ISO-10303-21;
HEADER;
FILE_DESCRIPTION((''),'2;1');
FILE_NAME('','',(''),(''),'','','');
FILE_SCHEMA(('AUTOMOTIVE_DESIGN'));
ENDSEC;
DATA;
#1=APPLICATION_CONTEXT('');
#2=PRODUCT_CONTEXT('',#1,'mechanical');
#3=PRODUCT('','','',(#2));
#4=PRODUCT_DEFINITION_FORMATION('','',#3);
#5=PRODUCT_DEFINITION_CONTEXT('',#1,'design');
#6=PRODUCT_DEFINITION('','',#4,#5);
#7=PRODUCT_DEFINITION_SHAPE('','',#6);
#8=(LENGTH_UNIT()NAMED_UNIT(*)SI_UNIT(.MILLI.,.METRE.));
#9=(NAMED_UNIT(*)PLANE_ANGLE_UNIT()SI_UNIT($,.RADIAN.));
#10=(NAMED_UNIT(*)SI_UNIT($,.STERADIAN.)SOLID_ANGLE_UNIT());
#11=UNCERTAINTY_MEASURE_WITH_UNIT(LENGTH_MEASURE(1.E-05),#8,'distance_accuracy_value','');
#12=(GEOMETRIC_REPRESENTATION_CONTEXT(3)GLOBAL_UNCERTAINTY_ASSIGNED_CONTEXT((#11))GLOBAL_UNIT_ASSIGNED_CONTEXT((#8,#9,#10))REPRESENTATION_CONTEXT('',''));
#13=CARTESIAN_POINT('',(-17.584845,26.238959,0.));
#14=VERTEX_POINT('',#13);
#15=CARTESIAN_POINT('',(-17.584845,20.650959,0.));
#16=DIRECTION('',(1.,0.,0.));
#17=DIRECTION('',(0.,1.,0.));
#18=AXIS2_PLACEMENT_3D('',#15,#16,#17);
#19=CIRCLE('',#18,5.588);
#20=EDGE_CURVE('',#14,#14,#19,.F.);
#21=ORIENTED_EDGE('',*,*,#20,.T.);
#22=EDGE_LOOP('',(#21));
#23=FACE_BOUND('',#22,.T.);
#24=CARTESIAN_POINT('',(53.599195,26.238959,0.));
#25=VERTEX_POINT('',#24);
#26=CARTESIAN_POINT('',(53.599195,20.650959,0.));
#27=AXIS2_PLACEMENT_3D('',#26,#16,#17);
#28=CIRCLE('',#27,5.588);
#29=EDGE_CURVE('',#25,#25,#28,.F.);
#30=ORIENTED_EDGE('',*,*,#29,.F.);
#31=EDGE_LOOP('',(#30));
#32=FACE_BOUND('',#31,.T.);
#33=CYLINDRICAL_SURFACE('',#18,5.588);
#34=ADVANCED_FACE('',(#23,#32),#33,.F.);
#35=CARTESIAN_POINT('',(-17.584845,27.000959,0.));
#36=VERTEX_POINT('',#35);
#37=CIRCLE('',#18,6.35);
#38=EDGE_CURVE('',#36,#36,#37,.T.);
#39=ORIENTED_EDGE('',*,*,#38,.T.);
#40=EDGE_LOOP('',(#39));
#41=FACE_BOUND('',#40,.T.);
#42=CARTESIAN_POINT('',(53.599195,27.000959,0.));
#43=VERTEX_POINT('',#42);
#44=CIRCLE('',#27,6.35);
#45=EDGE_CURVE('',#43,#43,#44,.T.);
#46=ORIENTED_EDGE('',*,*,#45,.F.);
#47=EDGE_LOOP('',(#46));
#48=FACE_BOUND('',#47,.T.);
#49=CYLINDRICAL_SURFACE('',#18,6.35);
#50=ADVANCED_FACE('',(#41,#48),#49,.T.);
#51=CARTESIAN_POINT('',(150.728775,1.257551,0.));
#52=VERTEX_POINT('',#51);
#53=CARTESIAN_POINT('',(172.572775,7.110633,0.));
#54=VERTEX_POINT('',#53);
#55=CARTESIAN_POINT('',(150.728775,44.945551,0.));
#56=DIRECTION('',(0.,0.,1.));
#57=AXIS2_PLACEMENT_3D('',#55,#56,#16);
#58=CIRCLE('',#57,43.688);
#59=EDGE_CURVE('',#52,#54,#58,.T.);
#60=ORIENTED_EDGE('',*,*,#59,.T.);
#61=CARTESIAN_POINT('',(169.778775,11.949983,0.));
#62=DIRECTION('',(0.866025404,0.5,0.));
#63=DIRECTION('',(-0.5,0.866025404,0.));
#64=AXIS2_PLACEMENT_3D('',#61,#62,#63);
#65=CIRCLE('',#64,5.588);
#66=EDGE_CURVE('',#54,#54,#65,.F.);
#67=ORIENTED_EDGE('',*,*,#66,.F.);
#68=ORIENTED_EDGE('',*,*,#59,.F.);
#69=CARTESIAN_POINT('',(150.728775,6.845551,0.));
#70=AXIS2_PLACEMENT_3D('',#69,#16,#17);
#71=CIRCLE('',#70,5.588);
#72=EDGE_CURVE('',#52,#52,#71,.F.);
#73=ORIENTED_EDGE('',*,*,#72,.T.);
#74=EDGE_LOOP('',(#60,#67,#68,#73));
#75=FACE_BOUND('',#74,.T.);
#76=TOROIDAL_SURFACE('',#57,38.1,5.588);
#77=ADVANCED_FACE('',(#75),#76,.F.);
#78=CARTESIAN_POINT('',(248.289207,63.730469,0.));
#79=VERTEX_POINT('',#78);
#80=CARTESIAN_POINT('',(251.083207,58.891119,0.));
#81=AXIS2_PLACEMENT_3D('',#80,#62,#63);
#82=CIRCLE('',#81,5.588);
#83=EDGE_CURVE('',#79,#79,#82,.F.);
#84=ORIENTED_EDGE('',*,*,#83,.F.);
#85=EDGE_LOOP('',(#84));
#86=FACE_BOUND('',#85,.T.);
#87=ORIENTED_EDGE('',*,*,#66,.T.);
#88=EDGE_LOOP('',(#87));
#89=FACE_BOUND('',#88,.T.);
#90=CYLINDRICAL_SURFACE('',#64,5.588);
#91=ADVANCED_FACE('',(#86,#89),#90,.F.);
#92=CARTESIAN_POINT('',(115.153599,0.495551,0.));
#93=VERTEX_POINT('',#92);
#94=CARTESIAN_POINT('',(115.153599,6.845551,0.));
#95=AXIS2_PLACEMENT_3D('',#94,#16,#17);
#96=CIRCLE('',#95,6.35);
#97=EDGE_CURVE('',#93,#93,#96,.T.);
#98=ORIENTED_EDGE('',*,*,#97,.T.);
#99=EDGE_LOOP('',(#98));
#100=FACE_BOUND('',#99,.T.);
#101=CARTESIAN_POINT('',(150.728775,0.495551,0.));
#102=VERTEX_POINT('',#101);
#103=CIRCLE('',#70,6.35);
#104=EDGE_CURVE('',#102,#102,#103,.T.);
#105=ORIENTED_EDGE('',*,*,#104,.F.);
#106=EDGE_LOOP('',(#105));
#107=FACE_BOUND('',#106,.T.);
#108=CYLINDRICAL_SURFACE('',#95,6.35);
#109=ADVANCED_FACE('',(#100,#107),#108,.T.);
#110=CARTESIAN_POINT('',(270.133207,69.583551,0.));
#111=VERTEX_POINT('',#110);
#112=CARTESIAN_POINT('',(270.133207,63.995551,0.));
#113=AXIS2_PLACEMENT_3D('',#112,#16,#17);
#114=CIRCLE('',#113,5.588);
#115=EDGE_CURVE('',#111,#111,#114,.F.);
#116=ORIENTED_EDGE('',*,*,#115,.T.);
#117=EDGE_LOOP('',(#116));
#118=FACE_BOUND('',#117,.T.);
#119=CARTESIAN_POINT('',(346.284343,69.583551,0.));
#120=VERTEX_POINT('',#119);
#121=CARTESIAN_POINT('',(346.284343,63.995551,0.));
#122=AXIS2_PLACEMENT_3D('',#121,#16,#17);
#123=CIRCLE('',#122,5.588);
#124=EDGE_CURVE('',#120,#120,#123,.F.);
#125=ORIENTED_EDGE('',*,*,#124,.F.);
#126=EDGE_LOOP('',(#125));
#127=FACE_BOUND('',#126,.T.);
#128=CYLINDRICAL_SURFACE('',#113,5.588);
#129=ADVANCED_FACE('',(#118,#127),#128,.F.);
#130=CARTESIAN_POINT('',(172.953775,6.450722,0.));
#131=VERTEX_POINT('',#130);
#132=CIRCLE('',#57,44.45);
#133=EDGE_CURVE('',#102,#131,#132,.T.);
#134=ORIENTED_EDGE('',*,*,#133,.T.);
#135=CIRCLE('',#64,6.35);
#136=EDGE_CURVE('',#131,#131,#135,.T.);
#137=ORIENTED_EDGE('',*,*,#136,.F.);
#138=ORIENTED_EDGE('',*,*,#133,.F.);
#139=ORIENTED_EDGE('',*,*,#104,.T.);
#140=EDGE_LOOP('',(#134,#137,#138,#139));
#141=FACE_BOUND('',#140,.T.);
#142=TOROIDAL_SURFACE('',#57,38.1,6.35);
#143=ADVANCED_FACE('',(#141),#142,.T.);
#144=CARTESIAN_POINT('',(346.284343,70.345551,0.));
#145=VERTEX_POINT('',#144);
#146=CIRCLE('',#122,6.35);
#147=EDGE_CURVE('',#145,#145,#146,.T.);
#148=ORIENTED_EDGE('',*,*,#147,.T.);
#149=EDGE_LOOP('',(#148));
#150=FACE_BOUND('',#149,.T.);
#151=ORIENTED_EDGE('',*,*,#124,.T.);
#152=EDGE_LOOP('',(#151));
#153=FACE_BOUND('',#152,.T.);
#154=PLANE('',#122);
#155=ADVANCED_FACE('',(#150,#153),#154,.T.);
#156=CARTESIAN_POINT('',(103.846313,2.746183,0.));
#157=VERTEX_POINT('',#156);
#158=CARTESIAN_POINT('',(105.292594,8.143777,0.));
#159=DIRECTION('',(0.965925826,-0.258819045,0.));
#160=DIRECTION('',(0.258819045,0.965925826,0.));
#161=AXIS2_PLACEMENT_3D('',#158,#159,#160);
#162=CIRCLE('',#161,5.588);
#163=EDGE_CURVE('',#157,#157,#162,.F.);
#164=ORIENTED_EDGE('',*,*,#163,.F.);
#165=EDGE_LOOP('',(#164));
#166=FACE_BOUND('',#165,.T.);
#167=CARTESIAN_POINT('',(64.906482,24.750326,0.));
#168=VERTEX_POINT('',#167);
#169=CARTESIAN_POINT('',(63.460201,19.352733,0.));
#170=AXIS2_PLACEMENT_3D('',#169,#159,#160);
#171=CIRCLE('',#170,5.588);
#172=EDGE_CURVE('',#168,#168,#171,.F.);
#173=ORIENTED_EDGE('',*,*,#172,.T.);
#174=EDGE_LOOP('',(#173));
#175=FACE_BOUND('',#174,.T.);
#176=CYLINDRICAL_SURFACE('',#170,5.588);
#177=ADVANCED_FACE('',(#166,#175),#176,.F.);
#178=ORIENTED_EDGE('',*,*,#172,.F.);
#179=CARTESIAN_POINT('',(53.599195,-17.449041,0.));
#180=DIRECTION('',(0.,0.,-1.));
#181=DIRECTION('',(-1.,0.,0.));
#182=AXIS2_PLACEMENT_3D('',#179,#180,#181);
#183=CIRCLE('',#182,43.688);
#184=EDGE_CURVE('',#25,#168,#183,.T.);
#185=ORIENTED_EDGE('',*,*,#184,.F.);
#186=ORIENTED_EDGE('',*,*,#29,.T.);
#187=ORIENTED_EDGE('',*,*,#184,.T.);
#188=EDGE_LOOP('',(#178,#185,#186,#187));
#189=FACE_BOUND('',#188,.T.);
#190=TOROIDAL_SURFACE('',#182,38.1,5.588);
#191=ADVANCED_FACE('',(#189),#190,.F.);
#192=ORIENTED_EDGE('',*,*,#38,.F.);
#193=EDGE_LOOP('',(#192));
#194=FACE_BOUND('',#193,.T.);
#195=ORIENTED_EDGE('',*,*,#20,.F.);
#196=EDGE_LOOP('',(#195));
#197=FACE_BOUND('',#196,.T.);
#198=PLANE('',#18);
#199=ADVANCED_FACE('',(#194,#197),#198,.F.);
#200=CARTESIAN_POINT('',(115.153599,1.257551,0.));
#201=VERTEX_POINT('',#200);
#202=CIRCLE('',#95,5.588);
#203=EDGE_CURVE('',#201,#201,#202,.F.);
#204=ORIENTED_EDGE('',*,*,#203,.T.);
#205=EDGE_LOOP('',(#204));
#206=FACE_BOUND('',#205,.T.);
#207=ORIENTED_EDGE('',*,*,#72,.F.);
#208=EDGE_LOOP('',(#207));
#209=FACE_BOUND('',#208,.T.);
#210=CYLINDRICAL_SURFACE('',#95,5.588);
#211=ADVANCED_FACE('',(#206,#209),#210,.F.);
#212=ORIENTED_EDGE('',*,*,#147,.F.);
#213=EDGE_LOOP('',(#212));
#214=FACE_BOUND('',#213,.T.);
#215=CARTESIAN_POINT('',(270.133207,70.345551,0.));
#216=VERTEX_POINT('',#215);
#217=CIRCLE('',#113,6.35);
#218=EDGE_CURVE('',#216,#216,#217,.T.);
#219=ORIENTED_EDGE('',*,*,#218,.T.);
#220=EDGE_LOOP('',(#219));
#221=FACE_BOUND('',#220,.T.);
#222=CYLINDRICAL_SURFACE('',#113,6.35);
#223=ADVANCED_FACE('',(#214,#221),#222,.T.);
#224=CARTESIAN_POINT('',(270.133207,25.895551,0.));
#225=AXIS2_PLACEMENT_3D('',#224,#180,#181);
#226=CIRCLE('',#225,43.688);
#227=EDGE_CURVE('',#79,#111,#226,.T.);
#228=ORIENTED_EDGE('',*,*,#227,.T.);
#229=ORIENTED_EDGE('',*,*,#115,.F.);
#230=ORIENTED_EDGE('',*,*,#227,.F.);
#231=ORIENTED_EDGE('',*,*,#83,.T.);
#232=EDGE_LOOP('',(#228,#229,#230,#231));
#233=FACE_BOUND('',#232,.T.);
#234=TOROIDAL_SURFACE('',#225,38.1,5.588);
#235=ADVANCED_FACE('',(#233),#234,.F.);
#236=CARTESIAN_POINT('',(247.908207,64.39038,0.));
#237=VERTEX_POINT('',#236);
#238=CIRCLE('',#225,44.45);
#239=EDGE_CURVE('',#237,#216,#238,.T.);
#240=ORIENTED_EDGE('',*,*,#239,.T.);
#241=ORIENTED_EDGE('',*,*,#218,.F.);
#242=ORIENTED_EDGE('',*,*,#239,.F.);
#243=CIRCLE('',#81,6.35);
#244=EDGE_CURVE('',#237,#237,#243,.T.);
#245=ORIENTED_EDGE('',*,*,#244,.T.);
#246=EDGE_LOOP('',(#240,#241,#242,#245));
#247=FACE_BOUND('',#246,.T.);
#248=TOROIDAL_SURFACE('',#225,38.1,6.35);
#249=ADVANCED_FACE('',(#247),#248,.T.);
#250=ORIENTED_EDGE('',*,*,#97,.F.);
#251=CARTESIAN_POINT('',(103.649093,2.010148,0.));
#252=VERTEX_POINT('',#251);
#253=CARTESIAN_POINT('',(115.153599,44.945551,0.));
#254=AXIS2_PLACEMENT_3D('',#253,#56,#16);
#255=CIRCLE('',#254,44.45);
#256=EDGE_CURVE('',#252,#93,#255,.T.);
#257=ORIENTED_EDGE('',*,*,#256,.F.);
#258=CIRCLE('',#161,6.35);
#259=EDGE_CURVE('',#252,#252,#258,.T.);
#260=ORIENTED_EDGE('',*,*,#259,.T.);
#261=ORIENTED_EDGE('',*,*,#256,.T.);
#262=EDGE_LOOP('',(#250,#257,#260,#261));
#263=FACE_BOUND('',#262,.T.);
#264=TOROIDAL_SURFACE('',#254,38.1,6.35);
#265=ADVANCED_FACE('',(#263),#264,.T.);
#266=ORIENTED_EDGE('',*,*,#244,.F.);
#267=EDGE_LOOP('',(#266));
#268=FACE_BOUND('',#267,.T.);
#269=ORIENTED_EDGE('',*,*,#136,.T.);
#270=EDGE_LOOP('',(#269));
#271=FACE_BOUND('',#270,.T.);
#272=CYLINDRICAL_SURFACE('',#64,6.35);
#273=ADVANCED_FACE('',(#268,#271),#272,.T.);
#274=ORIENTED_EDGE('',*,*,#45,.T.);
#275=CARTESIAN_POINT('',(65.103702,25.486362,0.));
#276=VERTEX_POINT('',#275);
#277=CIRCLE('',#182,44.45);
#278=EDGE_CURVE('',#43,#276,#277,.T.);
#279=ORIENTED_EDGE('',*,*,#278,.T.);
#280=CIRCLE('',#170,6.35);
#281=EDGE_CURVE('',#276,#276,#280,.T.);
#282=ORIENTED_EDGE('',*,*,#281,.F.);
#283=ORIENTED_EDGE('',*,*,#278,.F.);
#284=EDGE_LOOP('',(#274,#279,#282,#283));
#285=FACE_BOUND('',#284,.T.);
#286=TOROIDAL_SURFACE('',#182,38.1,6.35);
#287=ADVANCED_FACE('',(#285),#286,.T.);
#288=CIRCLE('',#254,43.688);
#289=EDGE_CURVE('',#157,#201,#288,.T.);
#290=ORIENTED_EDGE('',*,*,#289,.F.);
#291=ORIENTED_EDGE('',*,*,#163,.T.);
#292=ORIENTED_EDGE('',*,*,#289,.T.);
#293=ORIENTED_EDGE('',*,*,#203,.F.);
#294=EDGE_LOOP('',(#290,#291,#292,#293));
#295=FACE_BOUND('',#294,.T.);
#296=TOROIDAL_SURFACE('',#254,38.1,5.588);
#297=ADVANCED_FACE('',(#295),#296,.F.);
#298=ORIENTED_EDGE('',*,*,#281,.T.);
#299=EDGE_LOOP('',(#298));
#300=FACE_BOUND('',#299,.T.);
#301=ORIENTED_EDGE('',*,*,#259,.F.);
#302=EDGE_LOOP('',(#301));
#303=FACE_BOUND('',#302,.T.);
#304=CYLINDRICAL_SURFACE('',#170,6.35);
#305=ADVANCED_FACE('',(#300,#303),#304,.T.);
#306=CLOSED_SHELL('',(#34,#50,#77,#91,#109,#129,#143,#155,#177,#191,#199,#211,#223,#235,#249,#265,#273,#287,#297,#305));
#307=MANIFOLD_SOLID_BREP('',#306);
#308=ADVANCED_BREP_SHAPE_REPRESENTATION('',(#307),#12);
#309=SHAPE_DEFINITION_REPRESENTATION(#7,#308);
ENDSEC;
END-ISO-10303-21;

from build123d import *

# Parameters (mm, degrees)
SKETCH2_R   = 6.35
SKETCH2_R_2 = 5.588


with BuildPart() as part:
    # Sweep1: sweep along a path in Sketch1
    with BuildLine(Plane.XY) as sweep1_path:
        Line((-17.584844563, 20.650958781), (53.599195279, 20.650958781))
        ThreePointArc((53.599195279, 20.650958781), (58.572243202, 20.325007999), (63.460200897, 19.352732762))
        Line((63.460200897, 19.352732762), (105.292593551, 8.143776933))
        ThreePointArc((105.292593551, 8.143776933), (110.180551246, 7.171501697), (115.153599169, 6.845550915))
        Line((115.153599169, 6.845550915), (150.72877478, 6.845550915))
        ThreePointArc((150.72877478, 6.845550915), (160.589780398, 8.143776933), (169.77877478, 11.949983031))
        Line((169.77877478, 11.949983031), (251.083206895, 58.891118799))
        ThreePointArc((251.083206895, 58.891118799), (260.272201277, 62.697324897), (270.133206895, 63.995550915))
        Line((270.133206895, 63.995550915), (346.284342664, 63.995550915))
    # Sketch2 → Sweep1 (sweep)
    with BuildSketch(Plane(origin=(-17.584844563, 20.650958781, 0), x_dir=(0, 0, -1), z_dir=(1, 0, 0))):
        Circle(SKETCH2_R)
        Circle(SKETCH2_R_2, mode=Mode.SUBTRACT)
    sweep(path=sweep1_path.line)


solid = part.part
